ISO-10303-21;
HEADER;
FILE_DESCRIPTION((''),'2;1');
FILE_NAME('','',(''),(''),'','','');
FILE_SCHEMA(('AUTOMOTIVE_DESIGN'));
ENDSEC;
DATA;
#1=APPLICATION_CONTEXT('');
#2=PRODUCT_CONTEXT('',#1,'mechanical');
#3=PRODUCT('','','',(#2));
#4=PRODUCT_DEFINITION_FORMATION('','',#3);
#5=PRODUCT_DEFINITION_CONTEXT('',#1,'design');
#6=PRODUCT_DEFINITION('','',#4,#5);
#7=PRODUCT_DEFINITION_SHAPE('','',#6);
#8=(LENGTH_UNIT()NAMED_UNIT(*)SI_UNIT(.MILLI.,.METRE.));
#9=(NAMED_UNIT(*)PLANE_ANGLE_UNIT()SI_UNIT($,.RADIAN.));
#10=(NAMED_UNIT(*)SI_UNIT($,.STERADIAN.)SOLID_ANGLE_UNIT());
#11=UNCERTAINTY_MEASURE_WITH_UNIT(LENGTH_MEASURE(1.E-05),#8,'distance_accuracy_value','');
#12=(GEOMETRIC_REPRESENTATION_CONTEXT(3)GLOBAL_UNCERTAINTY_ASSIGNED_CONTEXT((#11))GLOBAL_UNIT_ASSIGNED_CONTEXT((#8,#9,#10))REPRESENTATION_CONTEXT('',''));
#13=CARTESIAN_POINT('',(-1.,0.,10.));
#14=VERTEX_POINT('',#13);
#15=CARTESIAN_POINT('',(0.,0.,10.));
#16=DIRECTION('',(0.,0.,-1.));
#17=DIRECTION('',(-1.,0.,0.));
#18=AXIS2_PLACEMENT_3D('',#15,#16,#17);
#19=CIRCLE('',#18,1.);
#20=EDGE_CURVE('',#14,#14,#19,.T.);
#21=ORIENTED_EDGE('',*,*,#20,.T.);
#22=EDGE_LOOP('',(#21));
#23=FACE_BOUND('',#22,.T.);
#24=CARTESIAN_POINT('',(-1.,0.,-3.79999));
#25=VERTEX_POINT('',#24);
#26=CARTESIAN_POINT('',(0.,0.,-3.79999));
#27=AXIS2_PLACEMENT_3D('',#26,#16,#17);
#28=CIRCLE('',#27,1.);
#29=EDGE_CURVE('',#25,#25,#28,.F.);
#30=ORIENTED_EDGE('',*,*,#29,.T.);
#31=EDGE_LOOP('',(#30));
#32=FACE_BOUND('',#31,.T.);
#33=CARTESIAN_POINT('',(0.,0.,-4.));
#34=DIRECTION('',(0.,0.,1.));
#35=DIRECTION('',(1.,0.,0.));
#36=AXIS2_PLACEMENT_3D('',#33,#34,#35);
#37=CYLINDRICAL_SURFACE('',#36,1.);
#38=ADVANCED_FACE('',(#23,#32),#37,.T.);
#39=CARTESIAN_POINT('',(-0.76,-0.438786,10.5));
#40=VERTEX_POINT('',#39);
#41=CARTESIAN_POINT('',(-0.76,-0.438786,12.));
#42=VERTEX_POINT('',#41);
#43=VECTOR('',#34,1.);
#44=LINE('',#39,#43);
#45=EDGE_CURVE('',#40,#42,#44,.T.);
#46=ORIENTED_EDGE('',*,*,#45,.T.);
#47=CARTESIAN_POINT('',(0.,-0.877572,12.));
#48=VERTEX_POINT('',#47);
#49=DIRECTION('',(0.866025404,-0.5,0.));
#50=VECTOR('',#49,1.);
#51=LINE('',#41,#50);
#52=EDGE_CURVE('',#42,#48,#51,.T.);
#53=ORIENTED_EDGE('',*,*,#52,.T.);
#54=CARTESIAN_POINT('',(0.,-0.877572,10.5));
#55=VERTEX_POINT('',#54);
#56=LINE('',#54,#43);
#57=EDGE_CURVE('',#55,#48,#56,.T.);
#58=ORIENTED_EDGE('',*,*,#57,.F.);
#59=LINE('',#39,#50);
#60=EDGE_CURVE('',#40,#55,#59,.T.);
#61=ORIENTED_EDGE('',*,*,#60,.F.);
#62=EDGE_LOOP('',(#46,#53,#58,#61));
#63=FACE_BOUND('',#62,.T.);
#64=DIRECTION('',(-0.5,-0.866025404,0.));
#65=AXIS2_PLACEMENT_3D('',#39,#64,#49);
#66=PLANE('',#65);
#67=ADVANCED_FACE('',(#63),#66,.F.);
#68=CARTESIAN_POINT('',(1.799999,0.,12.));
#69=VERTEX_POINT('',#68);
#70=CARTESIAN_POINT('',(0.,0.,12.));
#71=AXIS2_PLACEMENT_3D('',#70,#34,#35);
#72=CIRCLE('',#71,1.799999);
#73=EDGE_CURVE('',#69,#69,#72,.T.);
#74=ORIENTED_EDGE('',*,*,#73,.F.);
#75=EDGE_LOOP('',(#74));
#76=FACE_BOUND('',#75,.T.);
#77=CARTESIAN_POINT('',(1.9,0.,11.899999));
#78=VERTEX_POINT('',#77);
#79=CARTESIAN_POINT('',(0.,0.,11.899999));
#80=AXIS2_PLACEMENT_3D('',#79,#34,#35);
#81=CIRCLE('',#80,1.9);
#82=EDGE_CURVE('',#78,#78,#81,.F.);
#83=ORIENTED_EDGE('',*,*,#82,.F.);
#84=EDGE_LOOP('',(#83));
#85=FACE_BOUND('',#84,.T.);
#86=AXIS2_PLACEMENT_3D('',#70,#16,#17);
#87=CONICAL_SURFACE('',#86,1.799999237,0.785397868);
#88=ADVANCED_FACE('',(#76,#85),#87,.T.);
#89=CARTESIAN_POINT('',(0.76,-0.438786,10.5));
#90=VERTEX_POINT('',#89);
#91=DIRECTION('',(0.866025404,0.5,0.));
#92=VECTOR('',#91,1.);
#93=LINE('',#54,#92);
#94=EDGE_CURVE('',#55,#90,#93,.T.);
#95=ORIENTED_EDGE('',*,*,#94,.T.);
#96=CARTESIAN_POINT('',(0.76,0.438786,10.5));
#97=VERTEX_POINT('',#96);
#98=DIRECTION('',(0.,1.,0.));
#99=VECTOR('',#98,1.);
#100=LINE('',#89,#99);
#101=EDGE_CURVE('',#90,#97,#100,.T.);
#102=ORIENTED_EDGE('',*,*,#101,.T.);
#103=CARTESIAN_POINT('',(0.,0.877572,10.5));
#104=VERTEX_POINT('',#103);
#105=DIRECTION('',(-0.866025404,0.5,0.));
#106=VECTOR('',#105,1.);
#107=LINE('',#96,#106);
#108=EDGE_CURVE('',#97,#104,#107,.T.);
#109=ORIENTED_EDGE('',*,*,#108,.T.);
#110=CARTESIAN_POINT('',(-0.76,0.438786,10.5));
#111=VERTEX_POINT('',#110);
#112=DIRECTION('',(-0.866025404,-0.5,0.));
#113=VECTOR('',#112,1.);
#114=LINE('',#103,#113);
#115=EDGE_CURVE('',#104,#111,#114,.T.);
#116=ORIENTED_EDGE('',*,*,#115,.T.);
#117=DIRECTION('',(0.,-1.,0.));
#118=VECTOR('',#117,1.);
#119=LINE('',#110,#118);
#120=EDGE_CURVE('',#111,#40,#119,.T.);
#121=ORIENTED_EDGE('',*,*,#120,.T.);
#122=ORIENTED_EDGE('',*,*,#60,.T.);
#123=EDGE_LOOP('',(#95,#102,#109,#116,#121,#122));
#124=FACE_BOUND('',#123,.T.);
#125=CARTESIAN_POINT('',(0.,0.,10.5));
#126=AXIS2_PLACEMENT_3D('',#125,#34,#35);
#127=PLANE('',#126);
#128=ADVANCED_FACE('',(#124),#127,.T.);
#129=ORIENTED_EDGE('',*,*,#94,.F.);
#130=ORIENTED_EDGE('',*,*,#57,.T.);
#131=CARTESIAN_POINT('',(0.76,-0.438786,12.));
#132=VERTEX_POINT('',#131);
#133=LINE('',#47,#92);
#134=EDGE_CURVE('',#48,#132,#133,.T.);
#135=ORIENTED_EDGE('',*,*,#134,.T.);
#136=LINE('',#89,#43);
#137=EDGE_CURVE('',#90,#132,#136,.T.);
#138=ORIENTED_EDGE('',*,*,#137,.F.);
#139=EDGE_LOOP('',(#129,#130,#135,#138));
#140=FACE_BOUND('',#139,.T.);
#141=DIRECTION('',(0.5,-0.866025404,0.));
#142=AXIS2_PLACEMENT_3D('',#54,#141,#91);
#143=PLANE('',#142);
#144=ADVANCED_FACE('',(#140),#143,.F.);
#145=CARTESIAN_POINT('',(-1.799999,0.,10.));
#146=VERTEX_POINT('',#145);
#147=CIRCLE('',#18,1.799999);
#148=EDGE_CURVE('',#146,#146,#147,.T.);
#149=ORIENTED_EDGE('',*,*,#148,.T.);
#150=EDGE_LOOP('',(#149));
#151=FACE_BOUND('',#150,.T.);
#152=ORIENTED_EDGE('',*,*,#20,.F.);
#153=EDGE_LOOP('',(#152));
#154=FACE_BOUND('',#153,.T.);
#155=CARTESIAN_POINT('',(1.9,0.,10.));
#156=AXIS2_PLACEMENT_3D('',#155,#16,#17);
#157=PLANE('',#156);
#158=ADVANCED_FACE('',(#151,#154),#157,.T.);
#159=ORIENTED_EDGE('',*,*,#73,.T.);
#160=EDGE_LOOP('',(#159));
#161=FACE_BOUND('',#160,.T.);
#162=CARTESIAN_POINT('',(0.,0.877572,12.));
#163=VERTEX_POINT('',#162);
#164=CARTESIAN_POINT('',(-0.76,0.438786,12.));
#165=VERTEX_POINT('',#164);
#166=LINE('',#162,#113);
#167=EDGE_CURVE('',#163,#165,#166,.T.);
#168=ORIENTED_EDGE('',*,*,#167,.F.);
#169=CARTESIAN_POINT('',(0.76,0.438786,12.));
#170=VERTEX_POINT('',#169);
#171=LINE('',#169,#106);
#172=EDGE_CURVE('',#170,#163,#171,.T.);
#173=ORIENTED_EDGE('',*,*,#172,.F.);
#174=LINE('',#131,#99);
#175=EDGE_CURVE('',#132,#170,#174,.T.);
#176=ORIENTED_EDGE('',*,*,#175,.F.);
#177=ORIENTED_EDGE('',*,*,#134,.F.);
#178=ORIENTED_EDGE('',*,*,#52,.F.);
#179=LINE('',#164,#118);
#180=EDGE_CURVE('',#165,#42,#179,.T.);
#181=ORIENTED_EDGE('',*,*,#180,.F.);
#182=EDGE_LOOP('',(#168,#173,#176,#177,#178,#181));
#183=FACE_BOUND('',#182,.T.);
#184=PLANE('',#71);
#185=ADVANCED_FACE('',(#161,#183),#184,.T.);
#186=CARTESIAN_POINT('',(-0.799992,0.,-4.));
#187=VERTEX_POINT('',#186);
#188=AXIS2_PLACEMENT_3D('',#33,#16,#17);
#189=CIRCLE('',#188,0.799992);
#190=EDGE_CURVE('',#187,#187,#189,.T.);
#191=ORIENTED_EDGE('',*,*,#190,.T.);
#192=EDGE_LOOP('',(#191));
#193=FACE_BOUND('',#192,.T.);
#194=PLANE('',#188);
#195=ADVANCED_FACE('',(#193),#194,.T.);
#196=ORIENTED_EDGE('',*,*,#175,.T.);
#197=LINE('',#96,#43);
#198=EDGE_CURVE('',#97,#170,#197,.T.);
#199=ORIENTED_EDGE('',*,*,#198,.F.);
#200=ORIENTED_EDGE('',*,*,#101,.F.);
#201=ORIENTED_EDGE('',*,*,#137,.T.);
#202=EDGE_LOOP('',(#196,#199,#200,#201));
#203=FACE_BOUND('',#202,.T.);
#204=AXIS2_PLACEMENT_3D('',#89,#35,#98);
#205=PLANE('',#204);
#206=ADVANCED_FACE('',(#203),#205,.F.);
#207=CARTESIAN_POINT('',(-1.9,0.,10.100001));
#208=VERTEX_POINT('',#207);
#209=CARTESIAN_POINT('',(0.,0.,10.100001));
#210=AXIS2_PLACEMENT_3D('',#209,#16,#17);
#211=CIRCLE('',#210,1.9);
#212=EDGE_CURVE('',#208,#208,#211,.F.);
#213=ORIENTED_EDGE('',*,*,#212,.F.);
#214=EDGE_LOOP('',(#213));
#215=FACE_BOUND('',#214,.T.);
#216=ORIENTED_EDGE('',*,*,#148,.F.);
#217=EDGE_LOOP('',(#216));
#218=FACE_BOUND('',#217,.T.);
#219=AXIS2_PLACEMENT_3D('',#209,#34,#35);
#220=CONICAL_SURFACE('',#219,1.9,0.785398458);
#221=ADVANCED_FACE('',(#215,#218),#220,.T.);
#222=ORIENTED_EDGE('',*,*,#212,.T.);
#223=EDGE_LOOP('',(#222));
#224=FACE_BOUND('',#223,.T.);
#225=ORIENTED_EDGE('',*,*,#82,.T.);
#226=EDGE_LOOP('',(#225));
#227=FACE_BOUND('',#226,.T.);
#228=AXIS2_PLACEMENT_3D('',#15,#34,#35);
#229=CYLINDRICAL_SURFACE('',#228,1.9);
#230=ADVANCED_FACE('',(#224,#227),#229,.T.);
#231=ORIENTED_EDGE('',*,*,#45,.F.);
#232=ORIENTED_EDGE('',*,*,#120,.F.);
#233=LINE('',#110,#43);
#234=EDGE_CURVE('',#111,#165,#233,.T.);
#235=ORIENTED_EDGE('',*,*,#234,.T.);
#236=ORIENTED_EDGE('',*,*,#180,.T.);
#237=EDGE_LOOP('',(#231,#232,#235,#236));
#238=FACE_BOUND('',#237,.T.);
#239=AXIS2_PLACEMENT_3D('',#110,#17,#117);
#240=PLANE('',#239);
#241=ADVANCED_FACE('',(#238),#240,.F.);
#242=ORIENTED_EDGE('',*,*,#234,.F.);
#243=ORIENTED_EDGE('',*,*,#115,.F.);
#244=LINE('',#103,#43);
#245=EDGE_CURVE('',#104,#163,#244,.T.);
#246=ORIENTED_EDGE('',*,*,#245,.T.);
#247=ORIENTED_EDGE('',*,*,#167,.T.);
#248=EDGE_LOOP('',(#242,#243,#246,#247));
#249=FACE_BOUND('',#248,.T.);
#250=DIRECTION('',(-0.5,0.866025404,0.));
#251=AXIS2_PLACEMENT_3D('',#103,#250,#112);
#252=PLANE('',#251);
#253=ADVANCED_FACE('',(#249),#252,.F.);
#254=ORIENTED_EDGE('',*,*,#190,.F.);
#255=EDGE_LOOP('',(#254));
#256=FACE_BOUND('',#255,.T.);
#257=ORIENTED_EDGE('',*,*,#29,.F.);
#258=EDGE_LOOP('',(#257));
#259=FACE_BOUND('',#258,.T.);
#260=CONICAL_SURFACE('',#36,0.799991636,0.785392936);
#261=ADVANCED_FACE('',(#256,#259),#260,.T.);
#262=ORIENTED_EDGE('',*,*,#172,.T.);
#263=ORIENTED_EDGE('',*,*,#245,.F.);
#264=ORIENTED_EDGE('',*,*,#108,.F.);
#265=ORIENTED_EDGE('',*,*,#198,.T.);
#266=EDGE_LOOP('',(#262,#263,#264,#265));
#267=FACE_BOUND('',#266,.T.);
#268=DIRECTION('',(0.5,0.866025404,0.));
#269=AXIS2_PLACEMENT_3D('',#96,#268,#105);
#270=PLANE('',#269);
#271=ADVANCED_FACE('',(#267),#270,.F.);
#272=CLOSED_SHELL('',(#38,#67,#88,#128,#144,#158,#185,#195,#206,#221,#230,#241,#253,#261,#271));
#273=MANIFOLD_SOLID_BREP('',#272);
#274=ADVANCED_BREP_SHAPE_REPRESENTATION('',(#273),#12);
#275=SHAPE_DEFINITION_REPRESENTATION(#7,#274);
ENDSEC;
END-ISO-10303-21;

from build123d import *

# Parameters (mm, degrees)
SKETCH_1_W          = 1.9
SKETCH_1_H          = 2
SKETCH_2_R          = 1
EXTRUDE_1_DEPTH     = 14
CUT_EXTRUDE_1_DEPTH = 1.5
CHAMFER_1_SIZE2     = 0.100000822
CHAMFER_1_SIZE      = 0.100000763
CHAMFER_2_SIZE      = 0.200008364
CHAMFER_2_SIZE2     = 0.200010455


with BuildPart() as part:
    # 草图1 → 旋转1 (revolve)
    with BuildSketch(Plane(origin=(0, 0, 0), x_dir=(1, 0, 0), z_dir=(0, 1, 0))):
        with Locations((0.95, -11)):
            Rectangle(SKETCH_1_W, SKETCH_1_H)
    revolve(axis=Axis((0, 0, 10), (0, 0, 1)))

    # 草图2 → 凸台-拉伸1 (add)
    with BuildSketch(Plane(origin=(0, 0, 10), x_dir=(-1, 0, 0), z_dir=(0, 0, -1))):
        Circle(SKETCH_2_R)
    extrude(amount=EXTRUDE_1_DEPTH)

    # 草图3 → 切除-拉伸1 (cut)
    with BuildSketch(Plane.XY.offset(12)):
        Polygon((-0.76, -0.438786205), (0, -0.877572409), (0.76, -0.438786205), (0.76, 0.438786205), (0, 0.877572409), (-0.76, 0.438786205), align=None)
    extrude(amount=-CUT_EXTRUDE_1_DEPTH, mode=Mode.SUBTRACT)

    # 倒角1
    chamfer_1_edges = [part.edges().sort_by_distance(p)[0] for p in [
        (-1.9, 0, 12),
        (-1.9, 0, 10),
    ]]
    chamfer(chamfer_1_edges, length=CHAMFER_1_SIZE, length2=CHAMFER_1_SIZE2)

    # 倒角2
    chamfer_2_edges = [part.edges().sort_by_distance(p)[0] for p in [
        (1, 0, -4),
    ]]
    chamfer_2_side = [part.faces().sort_by_distance(p)[0] for p in [
        (1, 0, 3),
    ]]
    chamfer(chamfer_2_edges, length=CHAMFER_2_SIZE, length2=CHAMFER_2_SIZE2, reference=chamfer_2_side[0])


solid = part.part
